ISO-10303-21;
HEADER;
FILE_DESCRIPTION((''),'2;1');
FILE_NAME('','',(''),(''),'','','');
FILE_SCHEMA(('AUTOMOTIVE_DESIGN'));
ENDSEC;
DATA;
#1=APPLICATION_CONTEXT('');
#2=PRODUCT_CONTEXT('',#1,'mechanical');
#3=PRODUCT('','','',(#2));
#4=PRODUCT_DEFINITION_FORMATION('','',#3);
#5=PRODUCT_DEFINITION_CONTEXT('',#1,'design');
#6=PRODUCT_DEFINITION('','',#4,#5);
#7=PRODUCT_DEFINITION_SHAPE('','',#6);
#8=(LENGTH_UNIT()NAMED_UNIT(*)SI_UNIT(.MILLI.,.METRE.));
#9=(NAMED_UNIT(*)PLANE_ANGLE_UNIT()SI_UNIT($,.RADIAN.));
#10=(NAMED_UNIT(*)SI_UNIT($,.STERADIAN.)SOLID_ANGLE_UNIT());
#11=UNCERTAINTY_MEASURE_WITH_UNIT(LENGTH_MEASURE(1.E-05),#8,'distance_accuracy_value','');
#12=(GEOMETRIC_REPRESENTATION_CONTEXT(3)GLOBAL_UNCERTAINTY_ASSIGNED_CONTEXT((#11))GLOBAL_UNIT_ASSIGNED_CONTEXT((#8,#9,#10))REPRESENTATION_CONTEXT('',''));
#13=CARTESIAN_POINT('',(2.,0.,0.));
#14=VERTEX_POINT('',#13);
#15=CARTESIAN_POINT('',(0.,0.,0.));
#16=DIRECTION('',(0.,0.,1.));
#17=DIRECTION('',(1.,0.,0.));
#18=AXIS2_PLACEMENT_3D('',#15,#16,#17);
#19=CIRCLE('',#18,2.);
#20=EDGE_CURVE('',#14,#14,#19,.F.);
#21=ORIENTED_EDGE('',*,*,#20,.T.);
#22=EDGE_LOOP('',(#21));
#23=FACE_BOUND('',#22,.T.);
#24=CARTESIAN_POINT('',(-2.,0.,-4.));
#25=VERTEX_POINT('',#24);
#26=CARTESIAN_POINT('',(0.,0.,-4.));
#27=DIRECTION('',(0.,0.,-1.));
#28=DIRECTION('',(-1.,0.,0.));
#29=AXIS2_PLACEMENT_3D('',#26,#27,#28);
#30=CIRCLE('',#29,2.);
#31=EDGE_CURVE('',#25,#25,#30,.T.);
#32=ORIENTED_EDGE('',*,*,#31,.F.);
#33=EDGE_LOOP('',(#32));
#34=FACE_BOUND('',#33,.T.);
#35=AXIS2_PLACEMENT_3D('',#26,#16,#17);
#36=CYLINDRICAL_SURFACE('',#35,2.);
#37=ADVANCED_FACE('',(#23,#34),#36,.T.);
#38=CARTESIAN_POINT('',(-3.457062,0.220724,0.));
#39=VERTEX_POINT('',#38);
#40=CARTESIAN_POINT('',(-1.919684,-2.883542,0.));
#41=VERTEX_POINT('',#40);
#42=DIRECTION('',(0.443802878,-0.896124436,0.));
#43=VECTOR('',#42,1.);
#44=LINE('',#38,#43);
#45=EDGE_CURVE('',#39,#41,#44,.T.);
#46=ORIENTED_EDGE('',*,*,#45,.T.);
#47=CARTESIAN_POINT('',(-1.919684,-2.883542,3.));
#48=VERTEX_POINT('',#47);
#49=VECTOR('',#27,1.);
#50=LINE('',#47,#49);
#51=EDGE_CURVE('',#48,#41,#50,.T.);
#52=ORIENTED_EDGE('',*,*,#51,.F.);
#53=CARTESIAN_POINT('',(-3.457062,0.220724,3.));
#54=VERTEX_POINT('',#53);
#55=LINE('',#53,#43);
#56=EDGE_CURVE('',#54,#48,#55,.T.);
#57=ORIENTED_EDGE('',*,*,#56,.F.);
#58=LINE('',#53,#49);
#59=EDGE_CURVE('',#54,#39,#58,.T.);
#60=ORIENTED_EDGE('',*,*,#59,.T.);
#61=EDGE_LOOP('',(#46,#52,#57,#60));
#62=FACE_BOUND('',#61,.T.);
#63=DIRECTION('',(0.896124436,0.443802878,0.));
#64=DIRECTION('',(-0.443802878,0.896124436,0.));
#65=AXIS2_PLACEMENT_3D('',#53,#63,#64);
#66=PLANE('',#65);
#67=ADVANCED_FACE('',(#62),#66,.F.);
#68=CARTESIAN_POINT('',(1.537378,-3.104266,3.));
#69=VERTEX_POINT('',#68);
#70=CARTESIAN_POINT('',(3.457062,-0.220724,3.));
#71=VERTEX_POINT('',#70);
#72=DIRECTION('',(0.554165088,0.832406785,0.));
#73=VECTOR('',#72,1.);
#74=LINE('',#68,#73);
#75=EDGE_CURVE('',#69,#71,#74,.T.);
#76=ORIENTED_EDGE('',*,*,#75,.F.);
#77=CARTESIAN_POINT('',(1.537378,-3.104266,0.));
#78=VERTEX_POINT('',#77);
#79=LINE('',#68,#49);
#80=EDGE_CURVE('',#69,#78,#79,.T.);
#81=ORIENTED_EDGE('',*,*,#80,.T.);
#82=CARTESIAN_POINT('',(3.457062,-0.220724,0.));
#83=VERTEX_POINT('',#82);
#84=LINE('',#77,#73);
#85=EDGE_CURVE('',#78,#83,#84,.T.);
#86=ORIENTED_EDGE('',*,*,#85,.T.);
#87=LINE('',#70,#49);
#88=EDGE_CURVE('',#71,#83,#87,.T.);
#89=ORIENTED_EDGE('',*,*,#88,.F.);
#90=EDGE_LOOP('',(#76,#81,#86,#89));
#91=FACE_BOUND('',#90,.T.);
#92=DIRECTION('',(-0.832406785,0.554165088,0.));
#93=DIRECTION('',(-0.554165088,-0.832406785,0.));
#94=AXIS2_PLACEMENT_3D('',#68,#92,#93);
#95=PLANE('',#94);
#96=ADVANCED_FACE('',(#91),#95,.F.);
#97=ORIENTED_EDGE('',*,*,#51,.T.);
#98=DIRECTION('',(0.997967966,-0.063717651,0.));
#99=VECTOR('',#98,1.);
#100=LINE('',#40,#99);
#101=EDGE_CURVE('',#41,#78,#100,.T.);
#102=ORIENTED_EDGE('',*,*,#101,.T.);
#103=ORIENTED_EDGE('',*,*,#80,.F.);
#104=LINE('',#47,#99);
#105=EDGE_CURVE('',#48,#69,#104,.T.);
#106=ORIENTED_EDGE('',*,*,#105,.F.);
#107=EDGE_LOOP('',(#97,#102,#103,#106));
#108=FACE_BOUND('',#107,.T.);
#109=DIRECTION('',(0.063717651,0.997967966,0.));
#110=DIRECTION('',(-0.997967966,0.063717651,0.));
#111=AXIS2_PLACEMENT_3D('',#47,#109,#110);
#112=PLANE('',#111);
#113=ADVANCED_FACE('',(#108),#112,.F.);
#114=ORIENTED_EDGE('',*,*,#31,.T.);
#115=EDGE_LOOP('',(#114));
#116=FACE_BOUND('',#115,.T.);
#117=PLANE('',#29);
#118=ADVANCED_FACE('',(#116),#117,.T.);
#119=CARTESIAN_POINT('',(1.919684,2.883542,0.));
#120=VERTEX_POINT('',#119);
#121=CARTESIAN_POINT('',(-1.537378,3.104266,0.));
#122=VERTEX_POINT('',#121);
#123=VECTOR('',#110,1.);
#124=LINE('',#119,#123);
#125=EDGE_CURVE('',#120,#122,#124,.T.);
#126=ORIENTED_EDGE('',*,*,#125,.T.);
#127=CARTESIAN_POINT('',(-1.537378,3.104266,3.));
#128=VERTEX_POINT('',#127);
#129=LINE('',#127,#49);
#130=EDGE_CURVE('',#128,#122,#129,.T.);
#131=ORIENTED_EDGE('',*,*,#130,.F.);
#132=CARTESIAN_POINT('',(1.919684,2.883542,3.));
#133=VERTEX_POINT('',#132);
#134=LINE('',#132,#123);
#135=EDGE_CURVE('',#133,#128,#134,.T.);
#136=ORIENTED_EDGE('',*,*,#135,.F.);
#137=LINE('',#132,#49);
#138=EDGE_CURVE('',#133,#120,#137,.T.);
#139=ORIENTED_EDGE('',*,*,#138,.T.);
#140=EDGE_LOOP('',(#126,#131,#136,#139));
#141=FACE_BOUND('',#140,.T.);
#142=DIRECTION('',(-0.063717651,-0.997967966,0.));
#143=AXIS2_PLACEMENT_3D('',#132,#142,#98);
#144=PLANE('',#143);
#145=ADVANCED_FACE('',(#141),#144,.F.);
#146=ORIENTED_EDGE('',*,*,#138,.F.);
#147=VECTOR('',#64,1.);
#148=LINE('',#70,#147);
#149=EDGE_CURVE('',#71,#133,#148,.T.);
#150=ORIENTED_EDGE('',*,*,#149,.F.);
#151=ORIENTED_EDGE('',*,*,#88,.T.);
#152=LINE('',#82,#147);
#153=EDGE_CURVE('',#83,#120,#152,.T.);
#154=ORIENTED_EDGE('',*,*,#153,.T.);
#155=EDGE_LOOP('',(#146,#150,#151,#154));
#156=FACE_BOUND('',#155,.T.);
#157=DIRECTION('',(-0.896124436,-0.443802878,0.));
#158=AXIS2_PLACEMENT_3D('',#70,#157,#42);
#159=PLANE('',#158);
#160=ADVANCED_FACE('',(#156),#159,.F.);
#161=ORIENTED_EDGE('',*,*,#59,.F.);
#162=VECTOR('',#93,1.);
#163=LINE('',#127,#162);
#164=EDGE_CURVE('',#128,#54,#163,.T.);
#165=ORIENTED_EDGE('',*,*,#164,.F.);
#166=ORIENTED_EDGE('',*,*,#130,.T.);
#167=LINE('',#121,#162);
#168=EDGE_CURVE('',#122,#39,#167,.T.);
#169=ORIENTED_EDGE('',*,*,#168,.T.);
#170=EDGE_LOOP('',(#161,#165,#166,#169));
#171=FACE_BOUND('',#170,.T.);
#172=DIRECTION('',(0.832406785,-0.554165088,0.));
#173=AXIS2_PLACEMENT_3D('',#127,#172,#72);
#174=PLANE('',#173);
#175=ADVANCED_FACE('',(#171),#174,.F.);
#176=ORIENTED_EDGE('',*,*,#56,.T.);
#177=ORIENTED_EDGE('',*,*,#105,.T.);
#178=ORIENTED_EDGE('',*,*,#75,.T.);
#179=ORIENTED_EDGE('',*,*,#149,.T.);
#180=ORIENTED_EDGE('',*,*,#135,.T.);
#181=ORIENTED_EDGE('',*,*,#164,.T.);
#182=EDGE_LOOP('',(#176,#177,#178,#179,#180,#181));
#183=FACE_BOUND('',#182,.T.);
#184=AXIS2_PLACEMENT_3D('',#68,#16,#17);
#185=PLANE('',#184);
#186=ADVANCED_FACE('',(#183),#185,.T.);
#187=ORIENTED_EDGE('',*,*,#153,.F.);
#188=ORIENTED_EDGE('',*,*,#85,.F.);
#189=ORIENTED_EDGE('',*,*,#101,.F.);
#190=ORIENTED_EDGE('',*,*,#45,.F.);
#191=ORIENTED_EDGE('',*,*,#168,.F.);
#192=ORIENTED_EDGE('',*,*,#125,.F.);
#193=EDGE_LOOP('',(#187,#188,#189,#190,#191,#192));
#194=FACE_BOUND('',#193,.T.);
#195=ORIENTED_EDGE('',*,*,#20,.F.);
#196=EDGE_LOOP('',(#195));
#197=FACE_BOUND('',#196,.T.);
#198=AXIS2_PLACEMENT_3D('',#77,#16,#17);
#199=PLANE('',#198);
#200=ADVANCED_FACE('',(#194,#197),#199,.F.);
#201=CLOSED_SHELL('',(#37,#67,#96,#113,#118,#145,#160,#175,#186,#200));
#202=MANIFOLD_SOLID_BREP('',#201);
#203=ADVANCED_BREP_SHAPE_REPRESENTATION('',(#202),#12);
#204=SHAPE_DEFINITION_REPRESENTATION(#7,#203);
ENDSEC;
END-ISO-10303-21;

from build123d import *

# Parameters (mm, degrees)
EXTRUDE_1_DEPTH = 3
SKETCH_2_R      = 2
EXTRUDE_2_DEPTH = 4


with BuildPart() as part:
    # 草图1 → 凸台-拉伸1 (new body)
    with BuildSketch(Plane.XY):
        Polygon((1.537378268, -3.104266107), (3.457062442, -0.220724418), (1.919684175, 2.883541688), (-1.537378268, 3.104266107), (-3.457062442, 0.220724418), (-1.919684175, -2.883541688), align=None)
    extrude(amount=EXTRUDE_1_DEPTH)

    # 草图2 → 凸台-拉伸2 (add)
    with BuildSketch(Plane(origin=(0, 0, 0), x_dir=(-1, 0, 0), z_dir=(0, 0, -1))):
        Circle(SKETCH_2_R)
    extrude(amount=EXTRUDE_2_DEPTH)


solid = part.part
